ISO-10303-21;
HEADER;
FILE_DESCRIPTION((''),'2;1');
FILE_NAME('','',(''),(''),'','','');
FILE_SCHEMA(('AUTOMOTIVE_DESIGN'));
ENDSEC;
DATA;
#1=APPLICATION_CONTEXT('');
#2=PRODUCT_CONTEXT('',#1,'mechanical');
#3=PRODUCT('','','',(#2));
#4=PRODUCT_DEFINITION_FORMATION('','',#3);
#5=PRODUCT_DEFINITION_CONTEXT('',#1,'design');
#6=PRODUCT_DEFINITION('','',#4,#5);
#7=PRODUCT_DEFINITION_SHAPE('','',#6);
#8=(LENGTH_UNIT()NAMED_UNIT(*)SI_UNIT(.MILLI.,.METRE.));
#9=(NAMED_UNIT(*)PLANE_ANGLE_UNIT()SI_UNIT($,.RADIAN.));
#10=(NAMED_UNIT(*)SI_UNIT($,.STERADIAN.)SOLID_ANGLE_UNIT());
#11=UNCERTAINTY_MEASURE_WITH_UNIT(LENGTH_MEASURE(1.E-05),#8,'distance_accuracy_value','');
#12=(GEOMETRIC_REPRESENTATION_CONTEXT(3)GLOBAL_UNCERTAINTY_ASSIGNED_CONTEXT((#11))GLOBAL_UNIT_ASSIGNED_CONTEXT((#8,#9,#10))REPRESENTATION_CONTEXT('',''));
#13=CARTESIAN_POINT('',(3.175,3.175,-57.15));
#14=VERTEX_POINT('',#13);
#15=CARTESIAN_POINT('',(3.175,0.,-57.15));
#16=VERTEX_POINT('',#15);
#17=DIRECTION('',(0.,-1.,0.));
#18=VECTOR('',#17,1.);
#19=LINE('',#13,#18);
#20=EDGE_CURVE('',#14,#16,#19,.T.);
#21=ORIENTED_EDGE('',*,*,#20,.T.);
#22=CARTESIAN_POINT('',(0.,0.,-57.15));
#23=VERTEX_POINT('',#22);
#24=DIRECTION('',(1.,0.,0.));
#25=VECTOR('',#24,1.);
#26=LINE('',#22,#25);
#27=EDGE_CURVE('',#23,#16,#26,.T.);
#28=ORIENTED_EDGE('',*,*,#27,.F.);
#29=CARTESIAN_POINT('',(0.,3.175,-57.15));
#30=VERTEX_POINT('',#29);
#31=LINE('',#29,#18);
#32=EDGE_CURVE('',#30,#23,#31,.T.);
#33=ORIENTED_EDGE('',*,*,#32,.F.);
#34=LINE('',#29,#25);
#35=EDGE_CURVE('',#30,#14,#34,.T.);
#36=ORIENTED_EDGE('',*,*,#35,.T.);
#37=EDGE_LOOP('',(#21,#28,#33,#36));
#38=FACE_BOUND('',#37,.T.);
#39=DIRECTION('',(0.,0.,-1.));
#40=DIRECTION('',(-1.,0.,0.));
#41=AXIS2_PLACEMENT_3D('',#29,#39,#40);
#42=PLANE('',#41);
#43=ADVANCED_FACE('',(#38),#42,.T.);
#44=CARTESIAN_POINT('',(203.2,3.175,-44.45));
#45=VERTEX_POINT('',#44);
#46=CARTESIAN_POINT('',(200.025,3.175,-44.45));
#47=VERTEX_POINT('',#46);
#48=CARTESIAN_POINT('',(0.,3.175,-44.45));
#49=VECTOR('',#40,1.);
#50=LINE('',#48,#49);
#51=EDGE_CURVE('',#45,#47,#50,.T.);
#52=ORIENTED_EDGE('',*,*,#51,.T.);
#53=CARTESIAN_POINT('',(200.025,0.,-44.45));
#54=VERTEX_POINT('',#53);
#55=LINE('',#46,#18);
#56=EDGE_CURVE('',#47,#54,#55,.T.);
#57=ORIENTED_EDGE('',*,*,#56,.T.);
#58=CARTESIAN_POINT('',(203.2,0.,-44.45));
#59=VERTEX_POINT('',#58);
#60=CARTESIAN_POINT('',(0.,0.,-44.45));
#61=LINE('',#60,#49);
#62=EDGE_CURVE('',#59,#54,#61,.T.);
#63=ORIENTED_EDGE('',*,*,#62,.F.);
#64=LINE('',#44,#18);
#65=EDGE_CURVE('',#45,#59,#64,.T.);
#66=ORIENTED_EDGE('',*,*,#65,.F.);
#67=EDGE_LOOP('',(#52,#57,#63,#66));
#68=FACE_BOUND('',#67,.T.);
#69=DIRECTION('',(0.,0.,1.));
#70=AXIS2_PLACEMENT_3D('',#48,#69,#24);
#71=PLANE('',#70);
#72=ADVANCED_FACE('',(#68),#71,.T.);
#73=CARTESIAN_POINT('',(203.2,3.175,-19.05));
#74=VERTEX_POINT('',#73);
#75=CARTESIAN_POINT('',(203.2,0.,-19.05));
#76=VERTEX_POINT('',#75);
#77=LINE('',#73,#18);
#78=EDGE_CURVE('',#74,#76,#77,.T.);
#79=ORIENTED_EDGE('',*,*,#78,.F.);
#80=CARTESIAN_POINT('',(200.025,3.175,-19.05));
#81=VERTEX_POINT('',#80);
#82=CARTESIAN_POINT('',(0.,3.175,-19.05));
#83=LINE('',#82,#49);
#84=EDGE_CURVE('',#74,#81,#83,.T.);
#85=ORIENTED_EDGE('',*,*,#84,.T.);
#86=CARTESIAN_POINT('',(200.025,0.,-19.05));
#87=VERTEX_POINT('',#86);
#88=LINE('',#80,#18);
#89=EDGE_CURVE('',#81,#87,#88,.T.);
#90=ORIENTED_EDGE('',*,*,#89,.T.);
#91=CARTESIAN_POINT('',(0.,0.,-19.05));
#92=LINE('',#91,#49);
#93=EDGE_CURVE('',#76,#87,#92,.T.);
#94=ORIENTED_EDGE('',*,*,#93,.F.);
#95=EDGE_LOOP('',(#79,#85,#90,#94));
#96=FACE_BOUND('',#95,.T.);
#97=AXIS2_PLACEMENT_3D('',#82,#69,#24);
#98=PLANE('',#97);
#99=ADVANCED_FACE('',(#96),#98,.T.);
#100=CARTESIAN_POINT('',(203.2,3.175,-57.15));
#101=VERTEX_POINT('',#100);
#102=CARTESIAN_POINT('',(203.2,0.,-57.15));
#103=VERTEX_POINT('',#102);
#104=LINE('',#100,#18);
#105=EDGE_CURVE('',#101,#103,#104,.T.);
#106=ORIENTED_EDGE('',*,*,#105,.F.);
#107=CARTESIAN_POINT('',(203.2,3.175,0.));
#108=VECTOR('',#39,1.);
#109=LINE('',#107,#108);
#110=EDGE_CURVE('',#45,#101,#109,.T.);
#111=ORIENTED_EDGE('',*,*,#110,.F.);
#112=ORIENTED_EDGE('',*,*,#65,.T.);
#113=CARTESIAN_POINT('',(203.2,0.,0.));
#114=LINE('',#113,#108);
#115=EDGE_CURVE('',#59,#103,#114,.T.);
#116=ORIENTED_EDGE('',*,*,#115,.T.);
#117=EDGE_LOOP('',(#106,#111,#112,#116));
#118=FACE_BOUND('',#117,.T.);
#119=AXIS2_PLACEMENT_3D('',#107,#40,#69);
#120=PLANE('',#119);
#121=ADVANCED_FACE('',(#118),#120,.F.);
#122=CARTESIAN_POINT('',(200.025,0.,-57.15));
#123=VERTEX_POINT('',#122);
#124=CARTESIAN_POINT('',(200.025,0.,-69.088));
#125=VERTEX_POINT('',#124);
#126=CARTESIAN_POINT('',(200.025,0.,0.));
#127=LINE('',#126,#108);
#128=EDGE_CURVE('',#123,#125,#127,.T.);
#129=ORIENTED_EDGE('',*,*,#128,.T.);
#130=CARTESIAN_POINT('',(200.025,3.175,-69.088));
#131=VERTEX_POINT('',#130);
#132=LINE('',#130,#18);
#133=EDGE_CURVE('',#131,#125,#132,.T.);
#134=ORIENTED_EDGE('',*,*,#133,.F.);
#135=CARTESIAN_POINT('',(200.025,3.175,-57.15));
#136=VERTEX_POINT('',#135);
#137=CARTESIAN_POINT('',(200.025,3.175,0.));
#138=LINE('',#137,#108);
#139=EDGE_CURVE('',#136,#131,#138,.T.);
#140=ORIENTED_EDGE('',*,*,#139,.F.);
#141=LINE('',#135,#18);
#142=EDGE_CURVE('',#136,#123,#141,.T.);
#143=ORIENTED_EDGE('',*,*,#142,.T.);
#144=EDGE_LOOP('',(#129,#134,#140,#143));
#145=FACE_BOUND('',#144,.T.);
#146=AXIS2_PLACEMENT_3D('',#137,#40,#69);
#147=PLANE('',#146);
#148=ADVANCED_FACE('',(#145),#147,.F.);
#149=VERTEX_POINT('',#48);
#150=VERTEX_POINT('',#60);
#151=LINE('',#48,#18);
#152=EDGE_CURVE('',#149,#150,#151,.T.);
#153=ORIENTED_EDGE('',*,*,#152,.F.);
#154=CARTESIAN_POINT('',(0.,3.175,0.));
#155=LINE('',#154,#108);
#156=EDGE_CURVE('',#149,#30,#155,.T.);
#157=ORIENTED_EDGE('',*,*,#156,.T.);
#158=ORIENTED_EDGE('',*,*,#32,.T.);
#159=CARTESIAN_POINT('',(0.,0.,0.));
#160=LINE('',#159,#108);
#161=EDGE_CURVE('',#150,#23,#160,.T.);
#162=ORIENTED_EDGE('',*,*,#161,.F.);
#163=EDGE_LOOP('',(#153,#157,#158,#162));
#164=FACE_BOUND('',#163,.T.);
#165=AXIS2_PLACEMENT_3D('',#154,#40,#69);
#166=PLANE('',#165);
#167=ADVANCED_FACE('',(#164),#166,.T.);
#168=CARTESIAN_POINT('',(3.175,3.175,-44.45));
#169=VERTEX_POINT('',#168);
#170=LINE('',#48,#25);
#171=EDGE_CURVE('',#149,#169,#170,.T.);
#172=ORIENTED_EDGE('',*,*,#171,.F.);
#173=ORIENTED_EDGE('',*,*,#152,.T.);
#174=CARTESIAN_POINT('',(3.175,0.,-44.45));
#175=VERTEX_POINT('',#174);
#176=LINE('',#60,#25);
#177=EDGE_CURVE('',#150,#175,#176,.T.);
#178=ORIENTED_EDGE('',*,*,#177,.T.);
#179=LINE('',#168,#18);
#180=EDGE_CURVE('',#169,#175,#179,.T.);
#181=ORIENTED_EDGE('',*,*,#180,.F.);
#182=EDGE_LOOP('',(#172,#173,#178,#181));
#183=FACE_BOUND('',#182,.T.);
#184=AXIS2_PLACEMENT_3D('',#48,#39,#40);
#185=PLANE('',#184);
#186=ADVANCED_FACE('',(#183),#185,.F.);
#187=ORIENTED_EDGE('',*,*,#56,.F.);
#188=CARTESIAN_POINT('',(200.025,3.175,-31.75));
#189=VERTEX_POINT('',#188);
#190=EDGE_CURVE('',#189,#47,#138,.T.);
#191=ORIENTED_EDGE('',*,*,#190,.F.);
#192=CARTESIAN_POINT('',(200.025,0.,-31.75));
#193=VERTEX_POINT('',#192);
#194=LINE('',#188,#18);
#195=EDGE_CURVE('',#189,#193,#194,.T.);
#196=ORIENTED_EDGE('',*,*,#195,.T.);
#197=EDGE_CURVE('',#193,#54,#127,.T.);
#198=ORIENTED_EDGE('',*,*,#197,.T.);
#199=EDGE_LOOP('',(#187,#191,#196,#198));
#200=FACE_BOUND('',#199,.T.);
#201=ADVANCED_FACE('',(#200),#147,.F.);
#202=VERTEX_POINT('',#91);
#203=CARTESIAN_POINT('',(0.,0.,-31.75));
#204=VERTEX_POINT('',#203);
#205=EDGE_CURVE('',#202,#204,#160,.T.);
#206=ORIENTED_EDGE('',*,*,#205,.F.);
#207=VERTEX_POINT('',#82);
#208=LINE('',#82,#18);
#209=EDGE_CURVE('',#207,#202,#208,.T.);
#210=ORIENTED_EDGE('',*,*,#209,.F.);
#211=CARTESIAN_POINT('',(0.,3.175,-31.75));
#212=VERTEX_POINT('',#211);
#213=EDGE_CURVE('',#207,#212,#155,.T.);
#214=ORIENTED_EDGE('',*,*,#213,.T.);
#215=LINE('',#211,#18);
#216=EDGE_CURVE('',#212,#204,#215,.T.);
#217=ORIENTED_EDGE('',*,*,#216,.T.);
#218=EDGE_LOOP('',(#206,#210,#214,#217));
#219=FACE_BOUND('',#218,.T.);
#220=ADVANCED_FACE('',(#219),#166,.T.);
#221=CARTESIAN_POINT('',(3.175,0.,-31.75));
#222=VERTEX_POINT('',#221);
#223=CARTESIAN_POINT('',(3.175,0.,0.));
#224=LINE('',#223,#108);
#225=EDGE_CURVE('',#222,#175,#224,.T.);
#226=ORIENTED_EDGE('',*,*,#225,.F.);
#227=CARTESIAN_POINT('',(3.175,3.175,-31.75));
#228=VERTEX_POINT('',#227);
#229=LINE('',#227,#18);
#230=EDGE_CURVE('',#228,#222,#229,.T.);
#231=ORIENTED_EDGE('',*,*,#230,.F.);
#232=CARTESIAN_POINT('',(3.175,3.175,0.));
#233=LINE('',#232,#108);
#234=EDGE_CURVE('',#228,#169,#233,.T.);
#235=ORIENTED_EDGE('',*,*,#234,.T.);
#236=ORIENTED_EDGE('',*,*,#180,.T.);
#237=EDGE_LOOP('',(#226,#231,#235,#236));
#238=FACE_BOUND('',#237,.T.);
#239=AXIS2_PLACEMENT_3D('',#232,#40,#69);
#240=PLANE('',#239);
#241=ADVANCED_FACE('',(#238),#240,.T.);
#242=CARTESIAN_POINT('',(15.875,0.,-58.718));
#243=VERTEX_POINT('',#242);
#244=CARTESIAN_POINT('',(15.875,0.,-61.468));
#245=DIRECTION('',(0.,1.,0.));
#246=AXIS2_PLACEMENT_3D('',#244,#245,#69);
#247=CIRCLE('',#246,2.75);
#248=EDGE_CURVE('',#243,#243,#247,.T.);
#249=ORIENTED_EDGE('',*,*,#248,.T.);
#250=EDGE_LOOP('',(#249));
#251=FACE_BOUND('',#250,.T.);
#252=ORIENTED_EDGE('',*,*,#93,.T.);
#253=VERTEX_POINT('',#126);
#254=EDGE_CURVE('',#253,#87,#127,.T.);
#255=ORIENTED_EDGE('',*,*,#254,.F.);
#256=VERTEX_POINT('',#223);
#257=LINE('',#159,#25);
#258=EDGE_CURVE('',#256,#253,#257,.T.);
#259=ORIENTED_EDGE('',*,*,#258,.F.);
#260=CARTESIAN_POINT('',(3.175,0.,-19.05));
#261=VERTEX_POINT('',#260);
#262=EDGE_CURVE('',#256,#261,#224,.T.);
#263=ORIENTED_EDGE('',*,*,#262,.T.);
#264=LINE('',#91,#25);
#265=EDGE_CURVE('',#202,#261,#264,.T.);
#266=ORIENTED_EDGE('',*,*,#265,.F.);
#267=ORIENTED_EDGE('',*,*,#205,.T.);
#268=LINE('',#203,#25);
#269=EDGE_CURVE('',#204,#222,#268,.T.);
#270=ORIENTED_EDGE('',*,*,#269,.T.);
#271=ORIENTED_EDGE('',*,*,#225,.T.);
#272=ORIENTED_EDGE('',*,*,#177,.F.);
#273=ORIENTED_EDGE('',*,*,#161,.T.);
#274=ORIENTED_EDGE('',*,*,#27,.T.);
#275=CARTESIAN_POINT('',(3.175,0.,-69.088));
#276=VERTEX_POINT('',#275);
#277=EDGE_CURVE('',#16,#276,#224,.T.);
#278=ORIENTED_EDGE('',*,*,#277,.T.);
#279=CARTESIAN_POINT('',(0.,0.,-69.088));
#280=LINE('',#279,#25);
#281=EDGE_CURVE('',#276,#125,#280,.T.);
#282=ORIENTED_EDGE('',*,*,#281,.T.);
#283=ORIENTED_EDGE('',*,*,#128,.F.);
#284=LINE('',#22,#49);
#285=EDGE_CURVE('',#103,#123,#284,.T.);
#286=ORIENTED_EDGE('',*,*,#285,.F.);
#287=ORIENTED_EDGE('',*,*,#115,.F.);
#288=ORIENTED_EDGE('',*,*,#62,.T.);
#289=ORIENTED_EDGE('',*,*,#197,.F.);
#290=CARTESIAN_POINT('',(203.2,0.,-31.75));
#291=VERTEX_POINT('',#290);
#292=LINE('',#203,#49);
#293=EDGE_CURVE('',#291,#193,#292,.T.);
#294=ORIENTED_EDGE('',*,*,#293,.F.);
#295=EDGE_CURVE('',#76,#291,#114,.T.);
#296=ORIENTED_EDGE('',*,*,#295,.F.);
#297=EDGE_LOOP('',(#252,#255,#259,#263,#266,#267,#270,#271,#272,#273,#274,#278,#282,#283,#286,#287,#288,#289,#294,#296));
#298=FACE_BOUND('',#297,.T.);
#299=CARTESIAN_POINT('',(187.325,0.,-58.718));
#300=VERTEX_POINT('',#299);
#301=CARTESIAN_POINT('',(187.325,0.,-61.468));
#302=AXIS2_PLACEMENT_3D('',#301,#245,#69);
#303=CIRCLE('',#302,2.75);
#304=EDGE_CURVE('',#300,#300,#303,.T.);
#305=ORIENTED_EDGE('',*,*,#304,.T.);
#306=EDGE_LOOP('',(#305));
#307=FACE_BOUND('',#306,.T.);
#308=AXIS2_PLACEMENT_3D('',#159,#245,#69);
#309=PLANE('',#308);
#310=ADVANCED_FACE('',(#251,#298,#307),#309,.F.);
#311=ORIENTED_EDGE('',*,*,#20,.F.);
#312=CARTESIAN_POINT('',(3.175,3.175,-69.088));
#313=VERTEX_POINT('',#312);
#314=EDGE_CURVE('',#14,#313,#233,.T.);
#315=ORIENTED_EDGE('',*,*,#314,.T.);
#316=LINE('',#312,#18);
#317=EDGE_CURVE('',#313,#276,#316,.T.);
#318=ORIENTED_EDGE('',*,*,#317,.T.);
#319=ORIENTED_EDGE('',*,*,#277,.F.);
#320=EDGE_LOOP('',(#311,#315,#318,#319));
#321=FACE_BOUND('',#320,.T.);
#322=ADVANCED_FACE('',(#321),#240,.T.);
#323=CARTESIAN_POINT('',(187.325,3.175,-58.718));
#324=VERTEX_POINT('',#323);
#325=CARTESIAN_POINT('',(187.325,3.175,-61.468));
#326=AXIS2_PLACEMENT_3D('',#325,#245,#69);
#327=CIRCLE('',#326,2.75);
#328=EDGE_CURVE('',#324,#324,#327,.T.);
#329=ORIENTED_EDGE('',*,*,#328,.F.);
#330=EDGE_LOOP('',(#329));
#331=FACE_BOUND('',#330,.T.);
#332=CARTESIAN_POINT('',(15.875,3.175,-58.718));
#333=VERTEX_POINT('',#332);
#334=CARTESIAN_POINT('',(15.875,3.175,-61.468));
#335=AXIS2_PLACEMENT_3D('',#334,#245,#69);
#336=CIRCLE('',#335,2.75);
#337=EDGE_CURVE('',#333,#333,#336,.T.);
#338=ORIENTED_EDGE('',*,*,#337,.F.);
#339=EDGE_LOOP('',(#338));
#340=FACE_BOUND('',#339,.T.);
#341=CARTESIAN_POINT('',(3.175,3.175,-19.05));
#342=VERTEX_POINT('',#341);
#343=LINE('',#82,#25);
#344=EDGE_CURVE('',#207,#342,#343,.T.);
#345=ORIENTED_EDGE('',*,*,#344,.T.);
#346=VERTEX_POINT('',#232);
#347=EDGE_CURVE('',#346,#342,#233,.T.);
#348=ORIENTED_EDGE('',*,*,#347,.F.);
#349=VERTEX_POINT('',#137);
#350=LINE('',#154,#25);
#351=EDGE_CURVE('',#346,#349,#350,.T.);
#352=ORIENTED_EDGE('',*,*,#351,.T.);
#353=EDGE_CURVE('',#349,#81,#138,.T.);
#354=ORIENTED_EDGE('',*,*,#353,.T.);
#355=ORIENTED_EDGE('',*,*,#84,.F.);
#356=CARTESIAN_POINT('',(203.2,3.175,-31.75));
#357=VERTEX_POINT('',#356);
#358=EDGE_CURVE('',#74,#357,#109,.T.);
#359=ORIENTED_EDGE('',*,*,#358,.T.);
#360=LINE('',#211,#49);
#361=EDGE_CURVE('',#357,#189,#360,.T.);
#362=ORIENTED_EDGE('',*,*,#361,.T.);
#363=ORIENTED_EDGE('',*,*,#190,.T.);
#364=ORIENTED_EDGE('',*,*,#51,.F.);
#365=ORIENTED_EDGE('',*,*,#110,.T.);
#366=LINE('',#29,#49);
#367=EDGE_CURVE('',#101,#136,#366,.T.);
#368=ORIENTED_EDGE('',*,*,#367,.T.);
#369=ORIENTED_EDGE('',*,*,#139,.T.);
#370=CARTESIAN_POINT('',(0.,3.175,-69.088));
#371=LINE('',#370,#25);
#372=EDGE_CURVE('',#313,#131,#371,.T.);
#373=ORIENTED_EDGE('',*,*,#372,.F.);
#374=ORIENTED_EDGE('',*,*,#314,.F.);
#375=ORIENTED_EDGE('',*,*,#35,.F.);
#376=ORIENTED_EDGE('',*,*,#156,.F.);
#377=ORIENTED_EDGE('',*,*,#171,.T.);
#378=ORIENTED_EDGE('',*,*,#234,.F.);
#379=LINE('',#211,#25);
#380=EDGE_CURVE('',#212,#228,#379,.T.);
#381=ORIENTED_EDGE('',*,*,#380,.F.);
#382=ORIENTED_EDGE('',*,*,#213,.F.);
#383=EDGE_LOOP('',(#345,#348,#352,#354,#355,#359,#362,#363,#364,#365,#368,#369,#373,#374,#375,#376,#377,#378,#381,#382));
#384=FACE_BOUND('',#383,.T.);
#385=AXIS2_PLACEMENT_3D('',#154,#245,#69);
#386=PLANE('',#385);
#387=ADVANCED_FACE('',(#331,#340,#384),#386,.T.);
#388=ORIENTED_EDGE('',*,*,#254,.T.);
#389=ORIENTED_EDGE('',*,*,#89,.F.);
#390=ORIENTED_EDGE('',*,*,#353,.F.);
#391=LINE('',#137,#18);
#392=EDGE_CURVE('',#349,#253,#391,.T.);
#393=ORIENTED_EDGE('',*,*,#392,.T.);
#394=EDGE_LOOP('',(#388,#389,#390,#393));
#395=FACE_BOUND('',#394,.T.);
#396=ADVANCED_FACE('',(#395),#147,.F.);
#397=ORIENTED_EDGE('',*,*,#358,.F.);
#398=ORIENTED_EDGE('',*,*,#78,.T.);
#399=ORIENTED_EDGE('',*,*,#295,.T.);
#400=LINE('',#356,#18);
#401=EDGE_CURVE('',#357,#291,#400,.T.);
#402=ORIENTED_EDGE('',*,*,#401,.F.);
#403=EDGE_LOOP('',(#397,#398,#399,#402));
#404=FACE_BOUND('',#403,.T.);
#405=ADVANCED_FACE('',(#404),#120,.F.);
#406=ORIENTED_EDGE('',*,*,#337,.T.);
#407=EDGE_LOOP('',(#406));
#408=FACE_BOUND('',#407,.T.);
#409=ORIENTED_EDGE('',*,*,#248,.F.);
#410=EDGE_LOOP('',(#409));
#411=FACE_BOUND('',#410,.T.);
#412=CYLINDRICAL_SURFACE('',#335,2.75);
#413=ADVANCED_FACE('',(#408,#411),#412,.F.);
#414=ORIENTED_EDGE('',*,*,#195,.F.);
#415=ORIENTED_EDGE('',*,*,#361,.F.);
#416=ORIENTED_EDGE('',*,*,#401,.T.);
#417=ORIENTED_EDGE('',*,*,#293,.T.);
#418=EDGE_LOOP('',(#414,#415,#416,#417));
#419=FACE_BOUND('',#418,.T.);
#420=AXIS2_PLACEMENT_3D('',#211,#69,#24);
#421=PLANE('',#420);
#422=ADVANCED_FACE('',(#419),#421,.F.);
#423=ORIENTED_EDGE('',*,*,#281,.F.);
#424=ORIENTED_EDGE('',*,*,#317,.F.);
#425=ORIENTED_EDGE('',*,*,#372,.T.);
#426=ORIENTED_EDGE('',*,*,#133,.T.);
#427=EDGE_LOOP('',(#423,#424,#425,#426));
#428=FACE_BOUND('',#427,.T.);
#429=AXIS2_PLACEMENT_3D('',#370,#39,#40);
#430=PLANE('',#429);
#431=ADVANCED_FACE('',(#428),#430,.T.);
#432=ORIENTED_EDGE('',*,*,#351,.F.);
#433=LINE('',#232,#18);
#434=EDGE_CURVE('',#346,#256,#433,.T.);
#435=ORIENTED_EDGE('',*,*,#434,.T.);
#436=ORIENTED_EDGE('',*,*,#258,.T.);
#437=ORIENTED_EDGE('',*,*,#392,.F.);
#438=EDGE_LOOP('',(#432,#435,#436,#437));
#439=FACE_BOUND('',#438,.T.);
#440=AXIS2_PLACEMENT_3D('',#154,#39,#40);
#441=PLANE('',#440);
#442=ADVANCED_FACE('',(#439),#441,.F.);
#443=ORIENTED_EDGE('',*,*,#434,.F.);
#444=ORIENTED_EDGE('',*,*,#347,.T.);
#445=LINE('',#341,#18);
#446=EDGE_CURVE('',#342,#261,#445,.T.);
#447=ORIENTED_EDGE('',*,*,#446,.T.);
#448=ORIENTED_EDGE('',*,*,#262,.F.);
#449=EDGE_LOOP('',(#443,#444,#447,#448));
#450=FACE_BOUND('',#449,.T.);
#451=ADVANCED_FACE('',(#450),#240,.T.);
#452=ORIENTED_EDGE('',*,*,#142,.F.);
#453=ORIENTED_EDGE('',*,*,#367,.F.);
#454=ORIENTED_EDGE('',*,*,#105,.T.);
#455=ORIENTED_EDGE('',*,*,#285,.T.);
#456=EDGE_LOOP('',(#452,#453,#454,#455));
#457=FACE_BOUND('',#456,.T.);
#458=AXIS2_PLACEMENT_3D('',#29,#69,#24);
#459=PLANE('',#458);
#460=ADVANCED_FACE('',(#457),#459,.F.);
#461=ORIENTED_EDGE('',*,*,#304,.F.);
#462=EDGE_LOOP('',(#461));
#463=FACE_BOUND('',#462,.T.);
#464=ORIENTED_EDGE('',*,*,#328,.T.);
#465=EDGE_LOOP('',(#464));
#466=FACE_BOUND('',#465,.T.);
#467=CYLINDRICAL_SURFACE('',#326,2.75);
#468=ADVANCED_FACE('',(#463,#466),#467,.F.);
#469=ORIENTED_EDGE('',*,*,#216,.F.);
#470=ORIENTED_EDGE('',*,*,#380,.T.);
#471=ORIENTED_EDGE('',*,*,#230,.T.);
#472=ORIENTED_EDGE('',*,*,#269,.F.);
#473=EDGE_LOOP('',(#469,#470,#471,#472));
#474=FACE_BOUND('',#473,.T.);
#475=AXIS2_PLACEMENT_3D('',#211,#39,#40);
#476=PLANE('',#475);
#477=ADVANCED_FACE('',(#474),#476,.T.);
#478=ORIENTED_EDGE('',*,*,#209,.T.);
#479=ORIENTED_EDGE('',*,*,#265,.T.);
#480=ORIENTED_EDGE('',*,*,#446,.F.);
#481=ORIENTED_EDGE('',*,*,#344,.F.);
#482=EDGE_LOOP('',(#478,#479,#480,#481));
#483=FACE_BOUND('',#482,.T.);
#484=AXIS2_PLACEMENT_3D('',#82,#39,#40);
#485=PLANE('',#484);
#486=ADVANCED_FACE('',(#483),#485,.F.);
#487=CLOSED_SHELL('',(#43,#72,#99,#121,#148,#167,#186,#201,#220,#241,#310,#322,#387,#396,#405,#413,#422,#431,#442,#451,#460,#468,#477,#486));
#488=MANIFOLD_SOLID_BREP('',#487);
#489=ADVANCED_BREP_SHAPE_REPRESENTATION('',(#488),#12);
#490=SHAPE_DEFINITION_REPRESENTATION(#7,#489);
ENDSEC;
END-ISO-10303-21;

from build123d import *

# Parameters (mm, degrees)
BOSS_EXTRUDE1_DEPTH  = 3.175
M5_CLEARANCE_HOLE1_D = 5.5


with BuildPart() as part:
    # Sketch1 → Boss-Extrude1 (new body)
    with BuildSketch(Plane(origin=(0, 0, 0), x_dir=(1, 0, 0), z_dir=(0, 1, 0))):
        Polygon((101.6, 0), (101.6, 69.088), (3.175, 69.088), (3.175, 57.15), (0, 57.15), (0, 44.45), (3.175, 44.45), (3.175, 31.75), (0, 31.75), (0, 19.05), (3.175, 19.05), (3.175, 0), align=None)
        Polygon((200.025, 69.088), (101.6, 69.088), (101.6, 0), (200.025, 0), (200.025, 19.05), (203.2, 19.05), (203.2, 31.75), (200.025, 31.75), (200.025, 44.45), (203.2, 44.45), (203.2, 57.15), (200.025, 57.15), align=None)
    extrude(amount=BOSS_EXTRUDE1_DEPTH)

    # M5 Clearance Hole1 (through all)
    with Locations(Plane(origin=(0, 3.175, 0), x_dir=(1, 0, 0), z_dir=(0, 1, 0))):
        with Locations((15.875, 61.468), (187.325, 61.468)):
            Hole(M5_CLEARANCE_HOLE1_D / 2)


solid = part.part
